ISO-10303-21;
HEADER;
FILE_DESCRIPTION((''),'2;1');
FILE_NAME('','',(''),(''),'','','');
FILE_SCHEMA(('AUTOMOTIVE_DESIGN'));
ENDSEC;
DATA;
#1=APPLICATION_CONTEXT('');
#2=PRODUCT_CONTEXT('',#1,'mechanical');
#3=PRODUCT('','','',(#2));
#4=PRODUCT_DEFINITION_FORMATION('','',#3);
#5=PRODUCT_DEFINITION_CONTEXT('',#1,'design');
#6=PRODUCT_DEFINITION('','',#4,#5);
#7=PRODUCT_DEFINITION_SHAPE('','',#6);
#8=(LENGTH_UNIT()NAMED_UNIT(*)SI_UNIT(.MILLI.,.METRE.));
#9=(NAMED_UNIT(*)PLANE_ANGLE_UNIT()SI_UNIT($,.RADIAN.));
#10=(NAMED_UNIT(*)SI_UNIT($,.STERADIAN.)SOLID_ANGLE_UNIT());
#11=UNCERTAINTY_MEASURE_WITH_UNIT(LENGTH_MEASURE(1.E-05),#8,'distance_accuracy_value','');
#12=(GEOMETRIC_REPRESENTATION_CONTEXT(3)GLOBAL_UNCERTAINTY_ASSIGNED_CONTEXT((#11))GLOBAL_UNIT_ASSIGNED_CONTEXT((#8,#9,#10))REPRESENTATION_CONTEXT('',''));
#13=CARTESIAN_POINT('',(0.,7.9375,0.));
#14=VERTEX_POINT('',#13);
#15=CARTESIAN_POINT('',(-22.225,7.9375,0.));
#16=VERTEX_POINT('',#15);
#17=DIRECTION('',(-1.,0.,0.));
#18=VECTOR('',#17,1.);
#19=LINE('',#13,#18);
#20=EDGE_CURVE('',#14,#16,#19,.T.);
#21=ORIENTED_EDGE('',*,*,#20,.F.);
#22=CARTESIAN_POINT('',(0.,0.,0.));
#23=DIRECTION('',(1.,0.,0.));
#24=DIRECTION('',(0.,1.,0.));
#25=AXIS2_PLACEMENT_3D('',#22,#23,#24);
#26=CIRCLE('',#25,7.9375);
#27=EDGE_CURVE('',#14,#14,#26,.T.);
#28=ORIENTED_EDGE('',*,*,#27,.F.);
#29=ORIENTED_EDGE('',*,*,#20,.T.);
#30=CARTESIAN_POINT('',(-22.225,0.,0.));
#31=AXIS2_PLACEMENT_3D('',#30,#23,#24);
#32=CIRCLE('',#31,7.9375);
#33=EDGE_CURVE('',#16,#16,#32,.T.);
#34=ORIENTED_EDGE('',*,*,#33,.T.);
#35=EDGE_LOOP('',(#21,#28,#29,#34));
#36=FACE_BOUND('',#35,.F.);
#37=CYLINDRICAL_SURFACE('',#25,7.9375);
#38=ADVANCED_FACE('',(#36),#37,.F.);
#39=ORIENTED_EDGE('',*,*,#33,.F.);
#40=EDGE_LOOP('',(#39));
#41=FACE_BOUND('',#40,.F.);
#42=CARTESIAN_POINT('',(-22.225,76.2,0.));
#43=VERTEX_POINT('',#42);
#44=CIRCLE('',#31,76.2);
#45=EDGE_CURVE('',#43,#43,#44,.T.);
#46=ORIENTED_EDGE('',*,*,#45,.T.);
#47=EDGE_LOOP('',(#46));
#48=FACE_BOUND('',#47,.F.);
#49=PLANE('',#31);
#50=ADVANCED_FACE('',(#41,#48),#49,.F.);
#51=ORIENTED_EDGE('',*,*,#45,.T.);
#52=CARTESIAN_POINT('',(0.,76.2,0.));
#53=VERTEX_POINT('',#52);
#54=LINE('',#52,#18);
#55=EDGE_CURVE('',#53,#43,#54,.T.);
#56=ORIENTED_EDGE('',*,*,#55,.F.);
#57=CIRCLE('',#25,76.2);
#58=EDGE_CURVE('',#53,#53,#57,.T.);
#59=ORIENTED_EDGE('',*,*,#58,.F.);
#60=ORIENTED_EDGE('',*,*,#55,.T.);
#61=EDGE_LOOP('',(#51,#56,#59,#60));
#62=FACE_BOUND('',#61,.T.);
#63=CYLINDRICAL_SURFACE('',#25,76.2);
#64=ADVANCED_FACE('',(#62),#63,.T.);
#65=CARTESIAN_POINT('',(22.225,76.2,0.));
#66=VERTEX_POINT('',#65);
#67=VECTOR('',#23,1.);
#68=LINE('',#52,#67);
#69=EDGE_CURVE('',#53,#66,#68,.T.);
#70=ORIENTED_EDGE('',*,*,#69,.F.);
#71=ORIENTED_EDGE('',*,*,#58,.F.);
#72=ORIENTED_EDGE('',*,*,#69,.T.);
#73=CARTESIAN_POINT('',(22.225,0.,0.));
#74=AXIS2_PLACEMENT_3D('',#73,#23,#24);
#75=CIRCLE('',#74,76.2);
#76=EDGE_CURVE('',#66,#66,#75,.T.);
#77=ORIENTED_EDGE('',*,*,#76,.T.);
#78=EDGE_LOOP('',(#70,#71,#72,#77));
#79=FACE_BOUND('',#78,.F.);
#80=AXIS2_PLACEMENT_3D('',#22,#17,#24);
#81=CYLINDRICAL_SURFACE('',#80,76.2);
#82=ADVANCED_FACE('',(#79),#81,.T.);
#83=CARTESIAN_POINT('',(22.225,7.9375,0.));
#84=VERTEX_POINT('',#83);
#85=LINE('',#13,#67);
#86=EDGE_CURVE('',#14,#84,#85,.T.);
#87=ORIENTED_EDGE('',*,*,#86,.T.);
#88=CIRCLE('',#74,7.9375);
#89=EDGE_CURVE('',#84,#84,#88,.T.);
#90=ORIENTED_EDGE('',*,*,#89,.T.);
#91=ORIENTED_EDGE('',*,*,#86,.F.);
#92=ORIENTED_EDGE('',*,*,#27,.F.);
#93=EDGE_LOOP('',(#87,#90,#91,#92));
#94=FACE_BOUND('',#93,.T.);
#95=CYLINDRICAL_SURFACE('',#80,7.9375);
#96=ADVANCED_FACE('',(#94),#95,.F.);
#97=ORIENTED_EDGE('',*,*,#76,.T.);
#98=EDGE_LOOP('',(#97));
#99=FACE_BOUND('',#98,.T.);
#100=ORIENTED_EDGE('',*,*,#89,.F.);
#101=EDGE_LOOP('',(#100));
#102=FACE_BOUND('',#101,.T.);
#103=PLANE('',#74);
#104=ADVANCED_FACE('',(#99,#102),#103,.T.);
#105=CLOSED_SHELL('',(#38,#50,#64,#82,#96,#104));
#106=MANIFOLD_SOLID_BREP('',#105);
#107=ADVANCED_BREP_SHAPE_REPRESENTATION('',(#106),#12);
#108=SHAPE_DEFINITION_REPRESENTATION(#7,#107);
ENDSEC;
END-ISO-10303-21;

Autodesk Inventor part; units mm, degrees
ref_plane "YZ Plane" through (0, 0, 0) normal (1, 0, 0) x (0, 1, 0)
ref_plane "XZ Plane" through (0, 0, 0) normal (0, 1, 0) x (-1, 0, 0)
ref_plane "XY Plane" through (0, 0, 0) normal (0, 0, 1) x (1, 0, 0)
sketch "Sketch1" plane through (0, 0, 0) normal (1, 0, 0) x (0, 1, 0)
  circle A0 centre (0, 0) radius 7.9375
  circle A1 centre (0, 0) radius 76.2
  dimension "d0" = 152.4
  dimension "d1" = 15.875
extrude "Extrusion1" add sketch "Sketch1" along normal mid plane 44.45
properties part number "omni wheel"
